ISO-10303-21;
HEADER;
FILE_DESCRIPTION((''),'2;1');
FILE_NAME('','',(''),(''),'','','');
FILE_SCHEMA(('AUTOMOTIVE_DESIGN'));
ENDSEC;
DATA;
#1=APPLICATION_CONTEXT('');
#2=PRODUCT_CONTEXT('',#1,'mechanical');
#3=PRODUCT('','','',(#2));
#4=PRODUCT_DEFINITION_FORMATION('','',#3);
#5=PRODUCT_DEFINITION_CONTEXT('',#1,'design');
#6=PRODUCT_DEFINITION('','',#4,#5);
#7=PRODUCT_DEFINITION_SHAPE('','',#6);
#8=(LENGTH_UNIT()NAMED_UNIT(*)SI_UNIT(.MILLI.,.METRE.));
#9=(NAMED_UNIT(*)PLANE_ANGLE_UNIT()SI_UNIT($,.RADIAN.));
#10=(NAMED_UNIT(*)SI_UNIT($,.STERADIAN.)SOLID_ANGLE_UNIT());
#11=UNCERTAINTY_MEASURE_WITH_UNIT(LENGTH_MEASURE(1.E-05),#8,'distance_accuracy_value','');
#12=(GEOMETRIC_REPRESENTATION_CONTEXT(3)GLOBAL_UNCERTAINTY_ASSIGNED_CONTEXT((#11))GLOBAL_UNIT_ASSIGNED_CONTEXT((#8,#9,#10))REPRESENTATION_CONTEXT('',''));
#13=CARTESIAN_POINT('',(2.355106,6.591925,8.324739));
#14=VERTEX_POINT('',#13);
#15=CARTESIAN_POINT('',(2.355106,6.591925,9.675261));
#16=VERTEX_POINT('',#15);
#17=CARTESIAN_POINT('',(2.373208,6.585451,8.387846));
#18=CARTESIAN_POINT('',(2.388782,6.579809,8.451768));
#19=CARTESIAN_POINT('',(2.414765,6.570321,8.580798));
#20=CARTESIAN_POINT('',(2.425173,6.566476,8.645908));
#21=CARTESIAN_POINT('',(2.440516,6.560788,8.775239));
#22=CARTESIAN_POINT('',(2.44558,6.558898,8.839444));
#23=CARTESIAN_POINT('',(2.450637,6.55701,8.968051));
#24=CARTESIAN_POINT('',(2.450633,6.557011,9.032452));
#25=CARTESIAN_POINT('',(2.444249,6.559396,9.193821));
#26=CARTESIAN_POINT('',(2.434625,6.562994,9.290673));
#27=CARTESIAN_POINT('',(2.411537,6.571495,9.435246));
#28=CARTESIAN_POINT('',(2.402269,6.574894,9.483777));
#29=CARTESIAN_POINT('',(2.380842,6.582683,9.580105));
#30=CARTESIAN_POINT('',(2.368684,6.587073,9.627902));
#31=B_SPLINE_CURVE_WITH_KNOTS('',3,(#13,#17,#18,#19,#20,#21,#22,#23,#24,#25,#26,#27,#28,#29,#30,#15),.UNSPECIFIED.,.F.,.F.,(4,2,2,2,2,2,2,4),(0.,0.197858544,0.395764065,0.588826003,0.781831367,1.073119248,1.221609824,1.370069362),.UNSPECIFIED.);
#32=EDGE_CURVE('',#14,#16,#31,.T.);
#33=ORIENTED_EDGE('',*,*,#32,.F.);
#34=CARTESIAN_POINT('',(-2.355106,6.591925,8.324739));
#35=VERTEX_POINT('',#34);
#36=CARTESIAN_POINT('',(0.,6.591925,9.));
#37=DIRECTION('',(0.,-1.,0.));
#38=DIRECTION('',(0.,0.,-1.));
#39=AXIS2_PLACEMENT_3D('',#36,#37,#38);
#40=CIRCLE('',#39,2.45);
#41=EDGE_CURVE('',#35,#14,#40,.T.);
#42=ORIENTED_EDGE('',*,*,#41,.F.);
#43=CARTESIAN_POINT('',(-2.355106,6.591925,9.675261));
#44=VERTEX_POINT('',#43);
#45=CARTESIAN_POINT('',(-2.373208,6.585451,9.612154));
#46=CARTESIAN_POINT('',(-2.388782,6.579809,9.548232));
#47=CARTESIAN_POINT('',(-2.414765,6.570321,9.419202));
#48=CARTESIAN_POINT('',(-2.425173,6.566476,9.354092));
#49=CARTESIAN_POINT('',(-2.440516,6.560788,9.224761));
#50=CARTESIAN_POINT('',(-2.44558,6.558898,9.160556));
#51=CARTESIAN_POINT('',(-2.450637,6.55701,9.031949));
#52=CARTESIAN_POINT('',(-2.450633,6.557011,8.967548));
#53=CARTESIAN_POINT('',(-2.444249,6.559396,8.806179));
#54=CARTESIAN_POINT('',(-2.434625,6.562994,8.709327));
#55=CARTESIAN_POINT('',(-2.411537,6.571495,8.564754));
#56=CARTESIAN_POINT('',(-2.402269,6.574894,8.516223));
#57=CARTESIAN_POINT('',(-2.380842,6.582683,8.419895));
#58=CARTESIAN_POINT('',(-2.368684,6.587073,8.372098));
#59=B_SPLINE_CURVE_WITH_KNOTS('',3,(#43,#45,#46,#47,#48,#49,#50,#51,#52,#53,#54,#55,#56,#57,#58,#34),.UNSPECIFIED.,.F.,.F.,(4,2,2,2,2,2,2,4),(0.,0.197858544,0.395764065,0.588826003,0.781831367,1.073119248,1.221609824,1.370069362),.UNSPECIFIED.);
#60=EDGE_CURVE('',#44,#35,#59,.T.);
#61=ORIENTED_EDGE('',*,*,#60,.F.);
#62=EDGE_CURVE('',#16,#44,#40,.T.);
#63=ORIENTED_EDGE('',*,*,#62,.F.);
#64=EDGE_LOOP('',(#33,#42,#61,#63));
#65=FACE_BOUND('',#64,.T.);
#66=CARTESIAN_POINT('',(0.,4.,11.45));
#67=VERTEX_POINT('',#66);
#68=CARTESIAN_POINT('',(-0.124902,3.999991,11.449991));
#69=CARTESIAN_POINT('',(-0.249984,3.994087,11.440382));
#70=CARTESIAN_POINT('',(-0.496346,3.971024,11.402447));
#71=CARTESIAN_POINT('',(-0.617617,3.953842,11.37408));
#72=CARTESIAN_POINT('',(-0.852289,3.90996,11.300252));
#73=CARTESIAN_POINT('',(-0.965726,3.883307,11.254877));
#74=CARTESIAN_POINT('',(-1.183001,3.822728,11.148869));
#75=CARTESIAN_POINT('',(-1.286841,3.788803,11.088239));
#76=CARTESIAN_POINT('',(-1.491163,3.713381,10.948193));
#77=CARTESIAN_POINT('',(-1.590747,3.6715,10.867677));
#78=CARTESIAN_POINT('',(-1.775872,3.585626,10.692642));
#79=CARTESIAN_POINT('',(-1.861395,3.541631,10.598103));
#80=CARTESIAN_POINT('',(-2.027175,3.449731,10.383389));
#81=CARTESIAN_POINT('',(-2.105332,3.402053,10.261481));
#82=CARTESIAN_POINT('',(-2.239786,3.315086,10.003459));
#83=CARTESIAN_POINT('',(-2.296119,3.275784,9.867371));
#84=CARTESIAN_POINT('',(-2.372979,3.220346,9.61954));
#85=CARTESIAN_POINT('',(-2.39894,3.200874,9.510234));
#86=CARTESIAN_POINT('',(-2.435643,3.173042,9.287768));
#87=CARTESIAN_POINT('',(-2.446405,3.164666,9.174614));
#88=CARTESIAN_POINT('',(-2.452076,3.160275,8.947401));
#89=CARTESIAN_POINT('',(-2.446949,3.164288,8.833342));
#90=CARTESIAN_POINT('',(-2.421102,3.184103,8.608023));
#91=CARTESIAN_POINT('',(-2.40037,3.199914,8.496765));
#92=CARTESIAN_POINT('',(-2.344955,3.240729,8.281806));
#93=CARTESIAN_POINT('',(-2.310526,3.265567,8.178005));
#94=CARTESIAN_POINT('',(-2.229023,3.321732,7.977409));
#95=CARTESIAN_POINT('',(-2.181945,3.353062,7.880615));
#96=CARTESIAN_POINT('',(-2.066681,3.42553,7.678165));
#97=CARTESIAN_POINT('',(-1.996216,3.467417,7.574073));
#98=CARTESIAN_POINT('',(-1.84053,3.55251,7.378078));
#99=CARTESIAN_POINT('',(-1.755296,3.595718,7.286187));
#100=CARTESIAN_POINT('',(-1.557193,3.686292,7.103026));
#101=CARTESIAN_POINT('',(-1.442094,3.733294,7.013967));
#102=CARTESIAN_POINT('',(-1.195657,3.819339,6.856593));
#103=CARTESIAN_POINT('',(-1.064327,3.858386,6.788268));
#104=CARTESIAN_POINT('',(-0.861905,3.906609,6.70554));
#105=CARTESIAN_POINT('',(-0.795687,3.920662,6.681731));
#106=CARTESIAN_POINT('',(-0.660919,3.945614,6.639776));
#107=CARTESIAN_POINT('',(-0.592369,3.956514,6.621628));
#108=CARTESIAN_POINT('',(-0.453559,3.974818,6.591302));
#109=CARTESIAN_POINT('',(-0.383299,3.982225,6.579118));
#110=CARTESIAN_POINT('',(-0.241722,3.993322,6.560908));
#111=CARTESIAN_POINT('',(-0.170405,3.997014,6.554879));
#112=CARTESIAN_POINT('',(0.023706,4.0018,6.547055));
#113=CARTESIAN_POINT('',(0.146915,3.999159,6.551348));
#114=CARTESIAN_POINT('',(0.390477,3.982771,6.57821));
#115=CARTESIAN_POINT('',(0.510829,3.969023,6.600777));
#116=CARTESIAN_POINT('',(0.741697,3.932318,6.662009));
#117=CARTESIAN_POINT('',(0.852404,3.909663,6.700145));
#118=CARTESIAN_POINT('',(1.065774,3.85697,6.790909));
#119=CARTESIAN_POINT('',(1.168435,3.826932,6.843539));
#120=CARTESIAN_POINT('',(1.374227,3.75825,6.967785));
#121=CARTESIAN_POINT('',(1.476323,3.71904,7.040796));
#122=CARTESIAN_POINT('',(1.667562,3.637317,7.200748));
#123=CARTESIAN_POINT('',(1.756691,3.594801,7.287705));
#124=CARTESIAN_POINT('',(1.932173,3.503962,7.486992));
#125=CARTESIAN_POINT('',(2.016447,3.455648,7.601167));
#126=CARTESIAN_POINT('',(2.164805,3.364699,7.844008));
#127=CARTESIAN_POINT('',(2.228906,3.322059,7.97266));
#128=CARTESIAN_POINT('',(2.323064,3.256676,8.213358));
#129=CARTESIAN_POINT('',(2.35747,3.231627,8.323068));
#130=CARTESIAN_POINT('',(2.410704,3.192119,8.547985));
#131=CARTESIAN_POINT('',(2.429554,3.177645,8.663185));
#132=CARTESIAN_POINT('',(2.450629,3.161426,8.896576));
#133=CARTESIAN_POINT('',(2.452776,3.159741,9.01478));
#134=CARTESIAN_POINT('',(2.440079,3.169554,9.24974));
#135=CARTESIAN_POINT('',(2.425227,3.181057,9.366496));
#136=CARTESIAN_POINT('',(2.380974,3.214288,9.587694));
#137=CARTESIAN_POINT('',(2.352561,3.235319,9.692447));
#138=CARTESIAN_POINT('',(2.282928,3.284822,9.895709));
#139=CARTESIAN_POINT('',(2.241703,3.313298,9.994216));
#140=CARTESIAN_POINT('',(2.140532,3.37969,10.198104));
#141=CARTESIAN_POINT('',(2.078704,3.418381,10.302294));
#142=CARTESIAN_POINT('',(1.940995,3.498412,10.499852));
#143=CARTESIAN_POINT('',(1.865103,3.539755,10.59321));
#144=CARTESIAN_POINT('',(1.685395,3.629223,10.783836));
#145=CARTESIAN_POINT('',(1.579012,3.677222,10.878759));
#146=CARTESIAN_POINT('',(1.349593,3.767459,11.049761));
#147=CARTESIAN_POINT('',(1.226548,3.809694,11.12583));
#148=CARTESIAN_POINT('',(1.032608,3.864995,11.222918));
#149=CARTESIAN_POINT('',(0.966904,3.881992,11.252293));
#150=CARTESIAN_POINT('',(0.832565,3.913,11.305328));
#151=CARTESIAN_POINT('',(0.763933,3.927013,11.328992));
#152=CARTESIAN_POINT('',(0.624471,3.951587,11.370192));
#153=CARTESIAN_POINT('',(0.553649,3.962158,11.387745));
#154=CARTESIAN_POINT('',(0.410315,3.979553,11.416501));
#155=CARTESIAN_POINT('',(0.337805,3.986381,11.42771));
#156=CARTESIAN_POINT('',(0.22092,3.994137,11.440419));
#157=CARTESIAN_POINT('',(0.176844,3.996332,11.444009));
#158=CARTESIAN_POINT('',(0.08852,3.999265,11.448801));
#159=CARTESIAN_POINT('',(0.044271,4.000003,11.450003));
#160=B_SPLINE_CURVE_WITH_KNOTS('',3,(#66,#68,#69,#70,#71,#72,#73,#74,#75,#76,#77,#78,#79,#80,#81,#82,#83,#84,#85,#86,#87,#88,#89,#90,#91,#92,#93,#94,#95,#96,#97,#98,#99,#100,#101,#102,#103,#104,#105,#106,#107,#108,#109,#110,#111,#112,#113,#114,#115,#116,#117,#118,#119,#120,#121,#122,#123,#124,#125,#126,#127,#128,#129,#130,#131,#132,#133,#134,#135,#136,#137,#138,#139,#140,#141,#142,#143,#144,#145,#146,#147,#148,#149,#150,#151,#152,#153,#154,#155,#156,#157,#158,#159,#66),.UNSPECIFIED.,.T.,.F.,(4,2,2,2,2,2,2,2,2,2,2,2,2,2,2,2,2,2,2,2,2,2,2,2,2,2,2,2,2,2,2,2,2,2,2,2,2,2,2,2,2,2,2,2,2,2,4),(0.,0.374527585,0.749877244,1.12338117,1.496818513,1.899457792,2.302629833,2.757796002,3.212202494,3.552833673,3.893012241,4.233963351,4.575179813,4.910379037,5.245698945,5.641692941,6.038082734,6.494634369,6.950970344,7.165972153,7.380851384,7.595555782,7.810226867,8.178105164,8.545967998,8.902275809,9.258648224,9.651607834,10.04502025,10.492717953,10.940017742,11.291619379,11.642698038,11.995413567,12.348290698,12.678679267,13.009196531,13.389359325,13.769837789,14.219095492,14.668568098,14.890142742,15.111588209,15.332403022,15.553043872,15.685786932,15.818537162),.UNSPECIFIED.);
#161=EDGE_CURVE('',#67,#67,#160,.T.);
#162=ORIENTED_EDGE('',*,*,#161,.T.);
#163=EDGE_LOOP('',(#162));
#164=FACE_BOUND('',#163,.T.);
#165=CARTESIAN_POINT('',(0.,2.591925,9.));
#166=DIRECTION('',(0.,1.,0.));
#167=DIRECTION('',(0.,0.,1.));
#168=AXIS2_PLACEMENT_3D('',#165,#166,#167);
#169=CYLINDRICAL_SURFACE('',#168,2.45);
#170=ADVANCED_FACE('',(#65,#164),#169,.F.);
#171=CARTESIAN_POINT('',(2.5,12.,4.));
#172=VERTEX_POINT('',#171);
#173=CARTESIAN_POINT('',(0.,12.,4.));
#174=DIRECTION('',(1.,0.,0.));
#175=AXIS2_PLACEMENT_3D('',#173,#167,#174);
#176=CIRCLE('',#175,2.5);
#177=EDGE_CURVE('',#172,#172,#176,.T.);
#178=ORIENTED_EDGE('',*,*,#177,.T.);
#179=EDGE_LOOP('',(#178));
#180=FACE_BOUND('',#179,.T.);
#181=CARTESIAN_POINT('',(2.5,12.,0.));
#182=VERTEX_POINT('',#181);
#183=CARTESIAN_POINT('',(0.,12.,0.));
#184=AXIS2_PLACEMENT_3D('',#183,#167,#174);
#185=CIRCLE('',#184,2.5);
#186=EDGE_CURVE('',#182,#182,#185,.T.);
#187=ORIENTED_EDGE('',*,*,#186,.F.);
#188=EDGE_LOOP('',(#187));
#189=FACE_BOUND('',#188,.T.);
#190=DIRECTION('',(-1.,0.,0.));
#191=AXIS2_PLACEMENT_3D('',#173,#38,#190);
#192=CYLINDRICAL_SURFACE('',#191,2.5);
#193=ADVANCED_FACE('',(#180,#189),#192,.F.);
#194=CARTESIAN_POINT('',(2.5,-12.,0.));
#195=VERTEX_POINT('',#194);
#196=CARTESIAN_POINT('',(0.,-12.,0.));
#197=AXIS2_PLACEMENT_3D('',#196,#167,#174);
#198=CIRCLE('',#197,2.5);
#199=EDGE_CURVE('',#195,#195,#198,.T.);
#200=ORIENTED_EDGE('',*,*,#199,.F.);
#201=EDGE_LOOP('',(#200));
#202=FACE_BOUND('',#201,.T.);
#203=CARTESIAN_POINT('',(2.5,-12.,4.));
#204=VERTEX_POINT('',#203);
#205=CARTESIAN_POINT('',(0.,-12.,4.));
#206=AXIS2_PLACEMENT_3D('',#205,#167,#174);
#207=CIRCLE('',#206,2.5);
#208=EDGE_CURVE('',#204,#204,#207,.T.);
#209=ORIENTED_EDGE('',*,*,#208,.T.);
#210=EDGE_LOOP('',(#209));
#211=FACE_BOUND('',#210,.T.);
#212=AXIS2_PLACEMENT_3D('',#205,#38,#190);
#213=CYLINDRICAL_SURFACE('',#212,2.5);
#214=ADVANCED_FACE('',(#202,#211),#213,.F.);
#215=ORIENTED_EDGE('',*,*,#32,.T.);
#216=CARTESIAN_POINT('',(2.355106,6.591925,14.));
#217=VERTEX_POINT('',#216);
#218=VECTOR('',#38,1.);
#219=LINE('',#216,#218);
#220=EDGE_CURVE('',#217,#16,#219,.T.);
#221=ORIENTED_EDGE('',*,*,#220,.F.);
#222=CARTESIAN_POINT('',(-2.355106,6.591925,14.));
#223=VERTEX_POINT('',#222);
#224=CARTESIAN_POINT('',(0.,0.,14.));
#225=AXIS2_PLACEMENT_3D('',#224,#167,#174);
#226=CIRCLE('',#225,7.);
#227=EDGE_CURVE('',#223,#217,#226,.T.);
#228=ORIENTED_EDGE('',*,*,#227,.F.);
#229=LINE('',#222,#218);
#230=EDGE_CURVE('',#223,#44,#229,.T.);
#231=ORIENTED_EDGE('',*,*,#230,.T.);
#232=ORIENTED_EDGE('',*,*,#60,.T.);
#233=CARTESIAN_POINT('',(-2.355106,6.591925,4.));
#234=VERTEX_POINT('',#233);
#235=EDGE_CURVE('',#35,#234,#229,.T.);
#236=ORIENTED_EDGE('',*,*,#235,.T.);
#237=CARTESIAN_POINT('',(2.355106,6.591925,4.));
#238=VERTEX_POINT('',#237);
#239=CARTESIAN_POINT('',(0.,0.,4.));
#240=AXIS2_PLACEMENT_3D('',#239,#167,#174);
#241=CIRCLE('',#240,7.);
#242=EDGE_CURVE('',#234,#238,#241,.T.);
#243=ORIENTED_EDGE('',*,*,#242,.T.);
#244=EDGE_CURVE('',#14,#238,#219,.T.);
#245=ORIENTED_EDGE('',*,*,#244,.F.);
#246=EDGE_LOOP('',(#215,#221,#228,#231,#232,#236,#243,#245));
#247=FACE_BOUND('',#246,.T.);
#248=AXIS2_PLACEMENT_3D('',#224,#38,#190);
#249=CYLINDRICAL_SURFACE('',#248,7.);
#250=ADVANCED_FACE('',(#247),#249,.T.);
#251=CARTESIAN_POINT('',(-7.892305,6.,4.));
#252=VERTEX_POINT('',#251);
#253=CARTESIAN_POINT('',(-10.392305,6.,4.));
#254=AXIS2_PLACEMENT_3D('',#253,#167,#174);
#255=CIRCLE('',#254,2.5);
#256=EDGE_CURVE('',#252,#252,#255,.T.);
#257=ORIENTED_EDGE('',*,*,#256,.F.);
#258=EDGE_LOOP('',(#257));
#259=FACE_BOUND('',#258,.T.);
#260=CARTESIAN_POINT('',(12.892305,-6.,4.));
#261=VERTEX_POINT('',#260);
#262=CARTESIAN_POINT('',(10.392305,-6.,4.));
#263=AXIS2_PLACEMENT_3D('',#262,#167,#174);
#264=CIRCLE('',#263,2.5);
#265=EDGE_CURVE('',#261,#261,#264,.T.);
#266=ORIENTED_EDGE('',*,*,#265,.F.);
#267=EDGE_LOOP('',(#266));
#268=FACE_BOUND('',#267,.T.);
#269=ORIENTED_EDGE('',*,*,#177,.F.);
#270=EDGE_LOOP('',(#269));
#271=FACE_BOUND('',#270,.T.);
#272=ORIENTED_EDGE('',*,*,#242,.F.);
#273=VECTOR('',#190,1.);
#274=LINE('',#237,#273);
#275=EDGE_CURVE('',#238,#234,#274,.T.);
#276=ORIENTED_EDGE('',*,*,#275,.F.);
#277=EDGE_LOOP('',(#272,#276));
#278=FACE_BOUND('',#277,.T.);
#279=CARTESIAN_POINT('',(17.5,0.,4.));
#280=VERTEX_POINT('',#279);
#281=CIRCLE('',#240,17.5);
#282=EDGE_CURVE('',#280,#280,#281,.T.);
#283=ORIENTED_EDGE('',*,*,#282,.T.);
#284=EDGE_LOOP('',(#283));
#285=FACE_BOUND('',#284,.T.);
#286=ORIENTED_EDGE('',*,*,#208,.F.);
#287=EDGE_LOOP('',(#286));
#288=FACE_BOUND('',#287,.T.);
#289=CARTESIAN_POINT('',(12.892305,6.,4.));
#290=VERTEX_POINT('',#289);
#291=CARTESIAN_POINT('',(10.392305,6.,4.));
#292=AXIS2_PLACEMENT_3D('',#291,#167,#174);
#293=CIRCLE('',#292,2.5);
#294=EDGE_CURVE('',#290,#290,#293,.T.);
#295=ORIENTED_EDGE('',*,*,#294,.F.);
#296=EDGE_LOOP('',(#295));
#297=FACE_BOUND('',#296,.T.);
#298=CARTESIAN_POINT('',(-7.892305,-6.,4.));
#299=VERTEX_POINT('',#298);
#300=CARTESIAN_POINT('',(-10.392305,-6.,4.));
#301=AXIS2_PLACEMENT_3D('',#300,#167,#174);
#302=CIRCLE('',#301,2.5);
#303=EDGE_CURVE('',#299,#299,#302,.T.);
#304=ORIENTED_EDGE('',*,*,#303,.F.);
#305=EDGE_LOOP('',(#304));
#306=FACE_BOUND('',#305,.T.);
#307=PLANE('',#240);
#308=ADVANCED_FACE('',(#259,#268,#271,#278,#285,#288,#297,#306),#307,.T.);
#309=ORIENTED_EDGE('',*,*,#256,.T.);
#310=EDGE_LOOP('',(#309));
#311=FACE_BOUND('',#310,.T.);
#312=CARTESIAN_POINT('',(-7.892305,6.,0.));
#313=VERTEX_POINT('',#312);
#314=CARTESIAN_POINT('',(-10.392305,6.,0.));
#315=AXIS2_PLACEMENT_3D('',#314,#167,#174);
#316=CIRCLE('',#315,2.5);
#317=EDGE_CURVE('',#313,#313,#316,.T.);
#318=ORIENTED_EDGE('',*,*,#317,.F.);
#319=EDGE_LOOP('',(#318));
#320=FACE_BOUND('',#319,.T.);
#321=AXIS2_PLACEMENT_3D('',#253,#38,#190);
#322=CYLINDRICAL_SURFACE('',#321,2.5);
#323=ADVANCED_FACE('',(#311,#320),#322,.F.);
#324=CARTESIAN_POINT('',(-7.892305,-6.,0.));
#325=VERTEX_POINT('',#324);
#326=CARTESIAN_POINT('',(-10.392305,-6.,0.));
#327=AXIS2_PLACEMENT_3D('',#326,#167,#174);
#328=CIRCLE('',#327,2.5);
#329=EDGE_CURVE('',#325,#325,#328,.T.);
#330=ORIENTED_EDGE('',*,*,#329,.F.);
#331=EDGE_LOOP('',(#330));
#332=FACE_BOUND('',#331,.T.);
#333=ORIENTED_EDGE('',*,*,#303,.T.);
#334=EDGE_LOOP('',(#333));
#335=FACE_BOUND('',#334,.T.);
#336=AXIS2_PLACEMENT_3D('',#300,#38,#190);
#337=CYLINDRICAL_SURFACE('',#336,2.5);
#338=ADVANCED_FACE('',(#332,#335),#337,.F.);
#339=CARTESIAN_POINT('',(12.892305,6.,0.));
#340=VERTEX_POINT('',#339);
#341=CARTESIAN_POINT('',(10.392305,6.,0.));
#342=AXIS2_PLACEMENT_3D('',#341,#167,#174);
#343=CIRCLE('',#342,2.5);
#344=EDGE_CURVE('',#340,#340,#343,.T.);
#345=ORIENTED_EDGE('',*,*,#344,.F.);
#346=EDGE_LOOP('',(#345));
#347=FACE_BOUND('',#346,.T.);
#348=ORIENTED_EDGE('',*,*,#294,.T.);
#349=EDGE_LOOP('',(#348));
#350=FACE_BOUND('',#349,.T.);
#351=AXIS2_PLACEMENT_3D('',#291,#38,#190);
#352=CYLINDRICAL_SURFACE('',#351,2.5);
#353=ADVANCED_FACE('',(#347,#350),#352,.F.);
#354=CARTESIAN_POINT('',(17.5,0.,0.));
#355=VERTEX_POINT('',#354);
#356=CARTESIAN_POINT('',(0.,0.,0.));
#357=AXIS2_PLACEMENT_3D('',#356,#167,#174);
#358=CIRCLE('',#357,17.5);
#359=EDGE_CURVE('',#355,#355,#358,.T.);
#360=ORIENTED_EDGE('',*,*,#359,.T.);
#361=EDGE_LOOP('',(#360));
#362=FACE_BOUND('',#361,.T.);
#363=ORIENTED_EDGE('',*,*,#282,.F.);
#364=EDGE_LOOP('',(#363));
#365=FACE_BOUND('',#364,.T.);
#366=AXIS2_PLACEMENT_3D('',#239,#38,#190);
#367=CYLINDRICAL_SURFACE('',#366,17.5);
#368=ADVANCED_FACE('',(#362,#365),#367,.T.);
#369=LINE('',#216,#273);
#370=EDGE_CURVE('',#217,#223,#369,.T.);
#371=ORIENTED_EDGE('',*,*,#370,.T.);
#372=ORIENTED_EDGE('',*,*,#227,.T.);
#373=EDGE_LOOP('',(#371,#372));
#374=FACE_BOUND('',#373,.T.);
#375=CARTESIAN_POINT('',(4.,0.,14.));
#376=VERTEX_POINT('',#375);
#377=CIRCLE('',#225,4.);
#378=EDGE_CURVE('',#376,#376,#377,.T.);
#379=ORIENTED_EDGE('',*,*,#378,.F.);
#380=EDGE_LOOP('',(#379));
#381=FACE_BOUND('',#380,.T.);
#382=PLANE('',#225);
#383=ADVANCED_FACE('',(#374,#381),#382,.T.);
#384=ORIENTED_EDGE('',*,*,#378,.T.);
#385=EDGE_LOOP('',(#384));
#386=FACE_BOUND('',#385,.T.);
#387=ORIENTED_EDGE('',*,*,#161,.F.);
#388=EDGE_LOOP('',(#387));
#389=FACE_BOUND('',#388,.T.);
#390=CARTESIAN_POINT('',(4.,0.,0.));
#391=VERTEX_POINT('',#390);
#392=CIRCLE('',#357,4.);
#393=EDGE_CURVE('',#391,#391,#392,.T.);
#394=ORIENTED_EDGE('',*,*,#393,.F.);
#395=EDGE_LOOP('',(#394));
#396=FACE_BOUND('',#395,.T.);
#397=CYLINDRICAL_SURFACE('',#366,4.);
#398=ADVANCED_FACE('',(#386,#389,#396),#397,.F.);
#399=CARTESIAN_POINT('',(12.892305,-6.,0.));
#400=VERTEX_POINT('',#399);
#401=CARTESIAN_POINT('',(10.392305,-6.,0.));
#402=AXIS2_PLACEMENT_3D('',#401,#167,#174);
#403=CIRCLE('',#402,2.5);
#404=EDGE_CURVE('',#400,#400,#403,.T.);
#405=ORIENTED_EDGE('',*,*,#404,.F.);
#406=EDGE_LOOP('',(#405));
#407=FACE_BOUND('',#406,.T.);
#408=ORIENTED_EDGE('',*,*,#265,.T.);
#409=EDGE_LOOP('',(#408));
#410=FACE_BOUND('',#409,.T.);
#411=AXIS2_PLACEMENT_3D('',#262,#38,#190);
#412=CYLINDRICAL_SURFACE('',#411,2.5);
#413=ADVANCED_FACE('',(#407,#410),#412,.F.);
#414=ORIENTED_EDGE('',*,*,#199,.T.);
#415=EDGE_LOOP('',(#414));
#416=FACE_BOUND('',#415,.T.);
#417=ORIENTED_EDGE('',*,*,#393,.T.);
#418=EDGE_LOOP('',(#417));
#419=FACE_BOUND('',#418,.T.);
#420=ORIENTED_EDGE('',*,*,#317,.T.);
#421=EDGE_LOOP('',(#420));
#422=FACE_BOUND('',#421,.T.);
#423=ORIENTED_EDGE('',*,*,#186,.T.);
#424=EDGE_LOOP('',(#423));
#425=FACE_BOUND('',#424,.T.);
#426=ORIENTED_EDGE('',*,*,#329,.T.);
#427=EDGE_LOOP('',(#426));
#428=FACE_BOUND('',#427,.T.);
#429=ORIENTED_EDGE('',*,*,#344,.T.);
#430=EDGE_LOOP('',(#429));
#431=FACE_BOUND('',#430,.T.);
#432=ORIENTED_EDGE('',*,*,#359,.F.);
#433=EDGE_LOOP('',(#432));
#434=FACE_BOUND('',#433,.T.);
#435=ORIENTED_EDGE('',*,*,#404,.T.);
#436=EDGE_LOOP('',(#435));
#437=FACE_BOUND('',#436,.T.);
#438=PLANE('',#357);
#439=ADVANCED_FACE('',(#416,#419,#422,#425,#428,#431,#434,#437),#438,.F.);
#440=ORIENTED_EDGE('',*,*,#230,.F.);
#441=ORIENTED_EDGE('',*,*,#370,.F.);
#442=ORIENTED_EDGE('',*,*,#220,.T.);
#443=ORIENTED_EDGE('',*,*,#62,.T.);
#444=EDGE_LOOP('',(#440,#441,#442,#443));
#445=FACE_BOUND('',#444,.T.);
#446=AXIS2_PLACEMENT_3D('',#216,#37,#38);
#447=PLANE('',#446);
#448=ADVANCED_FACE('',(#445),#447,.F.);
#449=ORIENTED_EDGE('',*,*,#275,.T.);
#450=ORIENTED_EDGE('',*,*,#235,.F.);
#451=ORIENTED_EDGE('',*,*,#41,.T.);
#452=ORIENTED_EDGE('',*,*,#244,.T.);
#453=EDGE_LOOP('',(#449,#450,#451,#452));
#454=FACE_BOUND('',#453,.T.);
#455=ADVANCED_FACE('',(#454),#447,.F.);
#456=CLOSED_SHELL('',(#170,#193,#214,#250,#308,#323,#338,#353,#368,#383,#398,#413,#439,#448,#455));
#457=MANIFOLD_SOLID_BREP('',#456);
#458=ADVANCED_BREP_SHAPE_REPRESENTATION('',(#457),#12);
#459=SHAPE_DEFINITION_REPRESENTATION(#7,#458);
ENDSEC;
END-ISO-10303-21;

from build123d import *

# Parameters (mm, degrees)
SKETCH1_R           = 17.5
SKETCH1_R_2         = 2.5
SKETCH1_R_3         = 4
BOSS_EXTRUDE1_DEPTH = 4
SKETCH3_R           = 4
BOSS_EXTRUDE2_DEPTH = 10
SKETCH4_R           = 2.45
CUT_EXTRUDE1_DEPTH  = 4


with BuildPart() as part:
    # Sketch1 → Boss-Extrude1 (new body)
    with BuildSketch(Plane.XY):
        Circle(SKETCH1_R)
        with Locations((0, 12)):
            Circle(SKETCH1_R_2, mode=Mode.SUBTRACT)
        with Locations((10.392304845, 6)):
            Circle(SKETCH1_R_2, mode=Mode.SUBTRACT)
        with Locations((10.392304845, -6)):
            Circle(SKETCH1_R_2, mode=Mode.SUBTRACT)
        with Locations((0, -12)):
            Circle(SKETCH1_R_2, mode=Mode.SUBTRACT)
        with Locations((-10.392304845, -6)):
            Circle(SKETCH1_R_2, mode=Mode.SUBTRACT)
        with Locations((-10.392304845, 6)):
            Circle(SKETCH1_R_2, mode=Mode.SUBTRACT)
        Circle(SKETCH1_R_3, mode=Mode.SUBTRACT)
    extrude(amount=BOSS_EXTRUDE1_DEPTH)

    # Sketch3 → Boss-Extrude2 (add)
    with BuildSketch(Plane.XY.offset(4)):
        with BuildLine():
            Line((2.355105774, 6.591925121), (-2.355105774, 6.591925121))
            ThreePointArc((-2.355105774, 6.591925121), (0, -7), (2.355105774, 6.591925121))
        make_face()
        Circle(SKETCH3_R, mode=Mode.SUBTRACT)
    extrude(amount=BOSS_EXTRUDE2_DEPTH)

    # Sketch4 → Cut-Extrude1 (cut)
    with BuildSketch(Plane(origin=(0, 6.591925121, 0), x_dir=(1, 0, 0), z_dir=(0, 1, 0))):
        with Locations(Location((0, -9, 0), (0, 0, 270))):
            Circle(SKETCH4_R)
    extrude(amount=-CUT_EXTRUDE1_DEPTH, mode=Mode.SUBTRACT)


solid = part.part
